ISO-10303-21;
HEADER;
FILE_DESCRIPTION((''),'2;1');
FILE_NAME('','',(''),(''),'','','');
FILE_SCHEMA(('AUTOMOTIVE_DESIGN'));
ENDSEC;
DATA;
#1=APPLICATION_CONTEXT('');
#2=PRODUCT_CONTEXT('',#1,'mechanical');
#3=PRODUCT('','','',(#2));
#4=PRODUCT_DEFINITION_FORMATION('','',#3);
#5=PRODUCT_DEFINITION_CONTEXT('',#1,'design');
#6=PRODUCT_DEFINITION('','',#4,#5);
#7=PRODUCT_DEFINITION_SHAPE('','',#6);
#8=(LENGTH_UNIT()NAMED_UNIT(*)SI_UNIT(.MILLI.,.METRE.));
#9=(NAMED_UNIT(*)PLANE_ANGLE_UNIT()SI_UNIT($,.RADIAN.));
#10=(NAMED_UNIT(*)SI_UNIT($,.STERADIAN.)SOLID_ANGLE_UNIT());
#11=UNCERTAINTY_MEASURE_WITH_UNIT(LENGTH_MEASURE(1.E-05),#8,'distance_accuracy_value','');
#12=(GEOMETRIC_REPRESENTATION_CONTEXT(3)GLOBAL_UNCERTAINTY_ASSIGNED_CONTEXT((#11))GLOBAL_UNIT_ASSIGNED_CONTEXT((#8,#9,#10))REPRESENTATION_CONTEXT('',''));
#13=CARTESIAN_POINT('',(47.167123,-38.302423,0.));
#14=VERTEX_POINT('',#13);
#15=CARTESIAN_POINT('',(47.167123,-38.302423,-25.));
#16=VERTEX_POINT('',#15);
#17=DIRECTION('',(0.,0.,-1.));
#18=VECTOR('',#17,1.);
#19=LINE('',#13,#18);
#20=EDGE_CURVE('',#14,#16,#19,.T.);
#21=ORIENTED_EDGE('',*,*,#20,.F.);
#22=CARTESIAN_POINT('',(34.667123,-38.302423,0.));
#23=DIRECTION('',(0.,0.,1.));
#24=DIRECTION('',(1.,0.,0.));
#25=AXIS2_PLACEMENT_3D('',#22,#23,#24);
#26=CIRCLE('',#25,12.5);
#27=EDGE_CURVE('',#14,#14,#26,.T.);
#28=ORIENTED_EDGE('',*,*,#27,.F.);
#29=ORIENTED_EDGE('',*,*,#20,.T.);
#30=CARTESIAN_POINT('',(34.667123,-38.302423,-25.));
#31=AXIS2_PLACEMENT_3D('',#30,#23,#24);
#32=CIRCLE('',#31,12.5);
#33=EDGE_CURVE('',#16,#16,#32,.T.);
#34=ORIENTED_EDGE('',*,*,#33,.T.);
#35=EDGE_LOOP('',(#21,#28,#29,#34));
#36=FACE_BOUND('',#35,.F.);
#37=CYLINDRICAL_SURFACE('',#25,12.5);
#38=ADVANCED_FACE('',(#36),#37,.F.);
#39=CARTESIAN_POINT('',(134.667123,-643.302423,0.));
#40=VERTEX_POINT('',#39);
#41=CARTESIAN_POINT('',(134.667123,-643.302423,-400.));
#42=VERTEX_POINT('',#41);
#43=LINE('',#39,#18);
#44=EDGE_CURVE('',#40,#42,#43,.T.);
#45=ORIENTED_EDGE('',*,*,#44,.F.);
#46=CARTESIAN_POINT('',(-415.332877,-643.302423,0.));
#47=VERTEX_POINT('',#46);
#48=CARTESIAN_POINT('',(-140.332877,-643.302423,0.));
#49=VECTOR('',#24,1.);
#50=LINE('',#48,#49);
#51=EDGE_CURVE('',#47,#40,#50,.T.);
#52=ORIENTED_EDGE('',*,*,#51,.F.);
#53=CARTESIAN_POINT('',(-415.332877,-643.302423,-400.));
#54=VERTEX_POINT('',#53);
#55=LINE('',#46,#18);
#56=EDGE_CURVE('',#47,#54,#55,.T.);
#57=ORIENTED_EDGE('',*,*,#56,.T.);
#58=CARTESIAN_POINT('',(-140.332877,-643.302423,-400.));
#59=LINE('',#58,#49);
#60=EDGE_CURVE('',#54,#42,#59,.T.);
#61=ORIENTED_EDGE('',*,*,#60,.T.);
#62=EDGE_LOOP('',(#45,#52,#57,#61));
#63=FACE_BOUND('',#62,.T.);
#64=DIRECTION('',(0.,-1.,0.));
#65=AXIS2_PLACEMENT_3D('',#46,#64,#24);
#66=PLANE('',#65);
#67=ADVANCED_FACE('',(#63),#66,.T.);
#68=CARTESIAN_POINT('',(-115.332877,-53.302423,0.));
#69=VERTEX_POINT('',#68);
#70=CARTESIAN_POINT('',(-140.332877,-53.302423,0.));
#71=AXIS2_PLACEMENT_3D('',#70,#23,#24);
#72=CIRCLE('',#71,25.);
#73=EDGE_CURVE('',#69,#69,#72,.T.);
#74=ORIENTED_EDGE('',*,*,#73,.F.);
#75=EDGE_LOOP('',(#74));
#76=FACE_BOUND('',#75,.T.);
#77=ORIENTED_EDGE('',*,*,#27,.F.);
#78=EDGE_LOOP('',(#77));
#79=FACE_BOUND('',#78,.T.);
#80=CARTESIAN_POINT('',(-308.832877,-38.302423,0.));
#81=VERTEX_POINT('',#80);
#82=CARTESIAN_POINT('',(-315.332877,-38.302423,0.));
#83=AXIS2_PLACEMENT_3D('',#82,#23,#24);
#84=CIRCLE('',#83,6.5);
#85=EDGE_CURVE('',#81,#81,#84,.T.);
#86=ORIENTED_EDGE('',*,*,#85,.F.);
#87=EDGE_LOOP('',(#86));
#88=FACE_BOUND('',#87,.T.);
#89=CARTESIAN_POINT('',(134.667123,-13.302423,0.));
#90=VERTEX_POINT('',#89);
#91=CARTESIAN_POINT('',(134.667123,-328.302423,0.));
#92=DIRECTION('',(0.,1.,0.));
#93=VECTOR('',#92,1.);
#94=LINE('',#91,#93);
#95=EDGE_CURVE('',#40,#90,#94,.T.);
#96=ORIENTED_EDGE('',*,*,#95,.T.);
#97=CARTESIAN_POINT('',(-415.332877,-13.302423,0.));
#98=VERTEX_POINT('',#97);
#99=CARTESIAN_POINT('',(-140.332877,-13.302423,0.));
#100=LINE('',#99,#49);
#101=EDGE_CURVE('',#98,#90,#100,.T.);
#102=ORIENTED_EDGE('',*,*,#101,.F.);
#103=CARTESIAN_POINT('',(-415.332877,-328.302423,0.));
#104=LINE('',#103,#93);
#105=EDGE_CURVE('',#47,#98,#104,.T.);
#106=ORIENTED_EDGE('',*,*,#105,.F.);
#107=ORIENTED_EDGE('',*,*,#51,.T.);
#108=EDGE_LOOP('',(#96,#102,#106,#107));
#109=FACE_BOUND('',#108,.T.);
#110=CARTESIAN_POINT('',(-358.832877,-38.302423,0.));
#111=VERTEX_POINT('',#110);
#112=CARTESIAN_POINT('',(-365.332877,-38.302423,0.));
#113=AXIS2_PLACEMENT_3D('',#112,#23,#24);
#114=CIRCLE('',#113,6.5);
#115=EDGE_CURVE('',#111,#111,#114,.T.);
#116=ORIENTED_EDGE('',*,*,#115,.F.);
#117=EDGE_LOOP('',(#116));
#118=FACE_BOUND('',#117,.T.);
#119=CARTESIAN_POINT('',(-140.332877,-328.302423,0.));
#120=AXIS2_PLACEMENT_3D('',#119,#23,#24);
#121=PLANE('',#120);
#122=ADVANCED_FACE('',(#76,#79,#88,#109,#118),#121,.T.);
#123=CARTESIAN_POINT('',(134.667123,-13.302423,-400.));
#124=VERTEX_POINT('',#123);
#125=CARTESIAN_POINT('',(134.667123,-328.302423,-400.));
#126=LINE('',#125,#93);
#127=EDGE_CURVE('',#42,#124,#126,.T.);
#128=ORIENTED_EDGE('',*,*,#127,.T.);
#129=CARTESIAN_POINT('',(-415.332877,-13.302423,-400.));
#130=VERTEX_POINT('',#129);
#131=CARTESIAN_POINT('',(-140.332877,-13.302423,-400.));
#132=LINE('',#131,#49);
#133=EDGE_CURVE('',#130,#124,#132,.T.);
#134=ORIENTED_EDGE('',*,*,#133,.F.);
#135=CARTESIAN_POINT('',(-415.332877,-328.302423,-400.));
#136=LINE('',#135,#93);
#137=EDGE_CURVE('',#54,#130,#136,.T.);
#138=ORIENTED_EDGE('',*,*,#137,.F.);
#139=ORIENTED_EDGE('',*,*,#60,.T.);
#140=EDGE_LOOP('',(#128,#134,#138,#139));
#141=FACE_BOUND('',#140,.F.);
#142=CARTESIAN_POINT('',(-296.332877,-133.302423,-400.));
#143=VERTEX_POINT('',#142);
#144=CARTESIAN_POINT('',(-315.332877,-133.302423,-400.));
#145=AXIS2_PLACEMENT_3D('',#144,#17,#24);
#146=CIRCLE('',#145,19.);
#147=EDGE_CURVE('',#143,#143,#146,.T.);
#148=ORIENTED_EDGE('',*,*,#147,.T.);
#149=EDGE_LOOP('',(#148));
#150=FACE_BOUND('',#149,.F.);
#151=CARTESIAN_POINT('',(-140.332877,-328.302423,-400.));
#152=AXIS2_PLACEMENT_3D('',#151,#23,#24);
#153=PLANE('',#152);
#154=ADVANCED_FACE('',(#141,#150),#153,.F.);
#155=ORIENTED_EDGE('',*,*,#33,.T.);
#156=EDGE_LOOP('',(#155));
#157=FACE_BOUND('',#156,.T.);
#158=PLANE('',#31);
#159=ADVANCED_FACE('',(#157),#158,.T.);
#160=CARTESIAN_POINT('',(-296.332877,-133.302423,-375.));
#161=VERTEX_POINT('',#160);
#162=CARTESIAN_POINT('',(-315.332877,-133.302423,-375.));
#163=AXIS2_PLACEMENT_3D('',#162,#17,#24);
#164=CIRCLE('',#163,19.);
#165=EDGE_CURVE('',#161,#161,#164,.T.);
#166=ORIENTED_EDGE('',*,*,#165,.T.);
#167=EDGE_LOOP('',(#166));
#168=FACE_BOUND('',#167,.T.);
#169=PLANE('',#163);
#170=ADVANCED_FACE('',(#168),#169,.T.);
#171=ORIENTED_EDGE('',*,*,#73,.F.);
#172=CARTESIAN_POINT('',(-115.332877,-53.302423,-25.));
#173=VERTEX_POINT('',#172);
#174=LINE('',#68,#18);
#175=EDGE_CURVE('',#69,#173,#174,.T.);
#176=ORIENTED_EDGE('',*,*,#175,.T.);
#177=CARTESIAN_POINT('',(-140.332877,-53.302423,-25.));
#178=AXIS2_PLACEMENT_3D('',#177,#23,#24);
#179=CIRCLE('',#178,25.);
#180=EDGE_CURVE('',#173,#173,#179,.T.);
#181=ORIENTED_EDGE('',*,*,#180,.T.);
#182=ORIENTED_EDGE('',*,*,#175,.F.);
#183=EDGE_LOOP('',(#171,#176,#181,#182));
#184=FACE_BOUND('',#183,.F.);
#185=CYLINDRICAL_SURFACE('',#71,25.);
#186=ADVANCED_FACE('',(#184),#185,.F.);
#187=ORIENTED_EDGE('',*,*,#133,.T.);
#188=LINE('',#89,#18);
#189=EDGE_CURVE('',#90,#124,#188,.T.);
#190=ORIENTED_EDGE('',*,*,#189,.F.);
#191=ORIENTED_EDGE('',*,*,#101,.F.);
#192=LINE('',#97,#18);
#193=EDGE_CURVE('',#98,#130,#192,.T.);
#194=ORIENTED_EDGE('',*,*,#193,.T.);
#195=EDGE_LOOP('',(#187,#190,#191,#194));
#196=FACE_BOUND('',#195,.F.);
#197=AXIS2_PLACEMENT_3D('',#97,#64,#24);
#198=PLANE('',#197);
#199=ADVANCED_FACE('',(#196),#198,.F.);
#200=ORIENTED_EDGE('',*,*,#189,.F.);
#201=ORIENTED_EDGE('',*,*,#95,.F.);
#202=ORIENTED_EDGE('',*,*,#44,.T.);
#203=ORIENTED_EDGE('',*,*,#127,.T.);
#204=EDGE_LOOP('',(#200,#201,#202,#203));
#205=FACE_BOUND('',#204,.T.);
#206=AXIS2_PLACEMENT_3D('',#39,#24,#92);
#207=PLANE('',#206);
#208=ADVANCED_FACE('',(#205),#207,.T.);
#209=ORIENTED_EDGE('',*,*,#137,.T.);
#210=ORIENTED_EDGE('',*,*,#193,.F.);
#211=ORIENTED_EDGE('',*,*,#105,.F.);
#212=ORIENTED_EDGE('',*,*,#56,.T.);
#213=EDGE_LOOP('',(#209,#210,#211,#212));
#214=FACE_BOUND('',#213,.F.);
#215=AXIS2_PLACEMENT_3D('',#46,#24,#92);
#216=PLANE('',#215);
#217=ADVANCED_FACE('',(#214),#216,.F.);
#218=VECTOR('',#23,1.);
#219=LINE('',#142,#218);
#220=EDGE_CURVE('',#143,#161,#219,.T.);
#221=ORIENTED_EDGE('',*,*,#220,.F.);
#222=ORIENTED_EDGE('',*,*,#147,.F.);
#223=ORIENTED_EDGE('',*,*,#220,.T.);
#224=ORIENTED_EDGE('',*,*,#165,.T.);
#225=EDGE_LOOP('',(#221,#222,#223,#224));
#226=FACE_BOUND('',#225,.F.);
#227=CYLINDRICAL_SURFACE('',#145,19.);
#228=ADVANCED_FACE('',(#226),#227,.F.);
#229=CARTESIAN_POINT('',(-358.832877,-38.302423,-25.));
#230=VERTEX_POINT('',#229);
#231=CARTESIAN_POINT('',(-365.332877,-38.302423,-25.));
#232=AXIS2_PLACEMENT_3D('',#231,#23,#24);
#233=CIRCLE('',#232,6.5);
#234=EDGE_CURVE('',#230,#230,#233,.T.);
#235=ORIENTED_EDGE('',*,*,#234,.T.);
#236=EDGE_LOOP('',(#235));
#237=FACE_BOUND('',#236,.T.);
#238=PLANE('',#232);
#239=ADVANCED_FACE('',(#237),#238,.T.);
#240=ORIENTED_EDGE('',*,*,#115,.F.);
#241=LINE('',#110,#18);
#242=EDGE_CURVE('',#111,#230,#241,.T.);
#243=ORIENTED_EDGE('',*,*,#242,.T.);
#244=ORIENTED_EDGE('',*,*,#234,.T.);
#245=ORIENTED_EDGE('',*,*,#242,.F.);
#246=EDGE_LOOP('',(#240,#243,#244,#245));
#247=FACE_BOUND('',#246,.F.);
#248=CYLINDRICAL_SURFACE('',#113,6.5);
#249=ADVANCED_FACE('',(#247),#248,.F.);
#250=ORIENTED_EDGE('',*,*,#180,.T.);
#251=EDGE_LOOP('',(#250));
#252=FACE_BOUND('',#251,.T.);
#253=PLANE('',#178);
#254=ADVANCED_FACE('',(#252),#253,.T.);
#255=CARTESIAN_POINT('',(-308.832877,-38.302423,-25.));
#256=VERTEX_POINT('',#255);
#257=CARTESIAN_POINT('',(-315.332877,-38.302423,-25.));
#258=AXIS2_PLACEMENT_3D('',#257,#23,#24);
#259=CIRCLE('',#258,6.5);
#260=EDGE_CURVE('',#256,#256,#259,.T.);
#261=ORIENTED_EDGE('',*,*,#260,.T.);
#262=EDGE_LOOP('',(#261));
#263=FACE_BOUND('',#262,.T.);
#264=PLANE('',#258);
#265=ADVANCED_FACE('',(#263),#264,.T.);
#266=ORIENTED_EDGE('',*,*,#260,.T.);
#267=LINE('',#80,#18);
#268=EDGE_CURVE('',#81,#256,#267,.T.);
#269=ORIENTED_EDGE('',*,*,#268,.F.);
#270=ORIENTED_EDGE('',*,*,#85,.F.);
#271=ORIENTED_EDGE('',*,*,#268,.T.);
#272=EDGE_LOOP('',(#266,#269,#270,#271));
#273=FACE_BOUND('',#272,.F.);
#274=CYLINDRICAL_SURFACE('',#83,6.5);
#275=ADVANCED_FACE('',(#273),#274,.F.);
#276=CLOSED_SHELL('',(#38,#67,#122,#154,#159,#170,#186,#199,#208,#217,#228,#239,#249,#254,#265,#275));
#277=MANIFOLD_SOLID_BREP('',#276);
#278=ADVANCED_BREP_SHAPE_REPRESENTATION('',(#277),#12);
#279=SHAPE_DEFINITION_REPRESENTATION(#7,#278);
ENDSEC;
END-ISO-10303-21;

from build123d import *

# Parameters (mm, degrees)
F0_W     = 550
F0_H     = 630
F1_DEPTH = 400
F2_R     = 19
F3_DEPTH = 25
F4_R     = 12.5
F4_R_2   = 6.5
F4_R_3   = 25
F5_DEPTH = 25


with BuildPart() as f1:
    # F0 (on Top) → F1 (new body)
    with BuildSketch(Plane.XY):
        with Locations((-140.332877, -328.302423)):
            Rectangle(F0_W, F0_H)
    extrude(amount=-F1_DEPTH)

    # F2 (on face) → F3 (cut)
    with BuildSketch(Plane(origin=(0, 0, -400), x_dir=(1, 0, 0), z_dir=(0, 0, -1))):
        with Locations((-315.332877, 133.302423)):
            Circle(F2_R)
    extrude(amount=-F3_DEPTH, mode=Mode.SUBTRACT)

    # F4 (on face) → F5 (cut)
    with BuildSketch(Plane.XY):
        with Locations((34.667123, -38.302423)):
            Circle(F4_R)
        with Locations((-365.332877, -38.302423)):
            Circle(F4_R_2)
        with Locations((-140.332877, -53.302423)):
            Circle(F4_R_3)
        with Locations((-315.332877, -38.302423)):
            Circle(F4_R_2)
    extrude(amount=-F5_DEPTH, mode=Mode.SUBTRACT)


solid = f1.part
